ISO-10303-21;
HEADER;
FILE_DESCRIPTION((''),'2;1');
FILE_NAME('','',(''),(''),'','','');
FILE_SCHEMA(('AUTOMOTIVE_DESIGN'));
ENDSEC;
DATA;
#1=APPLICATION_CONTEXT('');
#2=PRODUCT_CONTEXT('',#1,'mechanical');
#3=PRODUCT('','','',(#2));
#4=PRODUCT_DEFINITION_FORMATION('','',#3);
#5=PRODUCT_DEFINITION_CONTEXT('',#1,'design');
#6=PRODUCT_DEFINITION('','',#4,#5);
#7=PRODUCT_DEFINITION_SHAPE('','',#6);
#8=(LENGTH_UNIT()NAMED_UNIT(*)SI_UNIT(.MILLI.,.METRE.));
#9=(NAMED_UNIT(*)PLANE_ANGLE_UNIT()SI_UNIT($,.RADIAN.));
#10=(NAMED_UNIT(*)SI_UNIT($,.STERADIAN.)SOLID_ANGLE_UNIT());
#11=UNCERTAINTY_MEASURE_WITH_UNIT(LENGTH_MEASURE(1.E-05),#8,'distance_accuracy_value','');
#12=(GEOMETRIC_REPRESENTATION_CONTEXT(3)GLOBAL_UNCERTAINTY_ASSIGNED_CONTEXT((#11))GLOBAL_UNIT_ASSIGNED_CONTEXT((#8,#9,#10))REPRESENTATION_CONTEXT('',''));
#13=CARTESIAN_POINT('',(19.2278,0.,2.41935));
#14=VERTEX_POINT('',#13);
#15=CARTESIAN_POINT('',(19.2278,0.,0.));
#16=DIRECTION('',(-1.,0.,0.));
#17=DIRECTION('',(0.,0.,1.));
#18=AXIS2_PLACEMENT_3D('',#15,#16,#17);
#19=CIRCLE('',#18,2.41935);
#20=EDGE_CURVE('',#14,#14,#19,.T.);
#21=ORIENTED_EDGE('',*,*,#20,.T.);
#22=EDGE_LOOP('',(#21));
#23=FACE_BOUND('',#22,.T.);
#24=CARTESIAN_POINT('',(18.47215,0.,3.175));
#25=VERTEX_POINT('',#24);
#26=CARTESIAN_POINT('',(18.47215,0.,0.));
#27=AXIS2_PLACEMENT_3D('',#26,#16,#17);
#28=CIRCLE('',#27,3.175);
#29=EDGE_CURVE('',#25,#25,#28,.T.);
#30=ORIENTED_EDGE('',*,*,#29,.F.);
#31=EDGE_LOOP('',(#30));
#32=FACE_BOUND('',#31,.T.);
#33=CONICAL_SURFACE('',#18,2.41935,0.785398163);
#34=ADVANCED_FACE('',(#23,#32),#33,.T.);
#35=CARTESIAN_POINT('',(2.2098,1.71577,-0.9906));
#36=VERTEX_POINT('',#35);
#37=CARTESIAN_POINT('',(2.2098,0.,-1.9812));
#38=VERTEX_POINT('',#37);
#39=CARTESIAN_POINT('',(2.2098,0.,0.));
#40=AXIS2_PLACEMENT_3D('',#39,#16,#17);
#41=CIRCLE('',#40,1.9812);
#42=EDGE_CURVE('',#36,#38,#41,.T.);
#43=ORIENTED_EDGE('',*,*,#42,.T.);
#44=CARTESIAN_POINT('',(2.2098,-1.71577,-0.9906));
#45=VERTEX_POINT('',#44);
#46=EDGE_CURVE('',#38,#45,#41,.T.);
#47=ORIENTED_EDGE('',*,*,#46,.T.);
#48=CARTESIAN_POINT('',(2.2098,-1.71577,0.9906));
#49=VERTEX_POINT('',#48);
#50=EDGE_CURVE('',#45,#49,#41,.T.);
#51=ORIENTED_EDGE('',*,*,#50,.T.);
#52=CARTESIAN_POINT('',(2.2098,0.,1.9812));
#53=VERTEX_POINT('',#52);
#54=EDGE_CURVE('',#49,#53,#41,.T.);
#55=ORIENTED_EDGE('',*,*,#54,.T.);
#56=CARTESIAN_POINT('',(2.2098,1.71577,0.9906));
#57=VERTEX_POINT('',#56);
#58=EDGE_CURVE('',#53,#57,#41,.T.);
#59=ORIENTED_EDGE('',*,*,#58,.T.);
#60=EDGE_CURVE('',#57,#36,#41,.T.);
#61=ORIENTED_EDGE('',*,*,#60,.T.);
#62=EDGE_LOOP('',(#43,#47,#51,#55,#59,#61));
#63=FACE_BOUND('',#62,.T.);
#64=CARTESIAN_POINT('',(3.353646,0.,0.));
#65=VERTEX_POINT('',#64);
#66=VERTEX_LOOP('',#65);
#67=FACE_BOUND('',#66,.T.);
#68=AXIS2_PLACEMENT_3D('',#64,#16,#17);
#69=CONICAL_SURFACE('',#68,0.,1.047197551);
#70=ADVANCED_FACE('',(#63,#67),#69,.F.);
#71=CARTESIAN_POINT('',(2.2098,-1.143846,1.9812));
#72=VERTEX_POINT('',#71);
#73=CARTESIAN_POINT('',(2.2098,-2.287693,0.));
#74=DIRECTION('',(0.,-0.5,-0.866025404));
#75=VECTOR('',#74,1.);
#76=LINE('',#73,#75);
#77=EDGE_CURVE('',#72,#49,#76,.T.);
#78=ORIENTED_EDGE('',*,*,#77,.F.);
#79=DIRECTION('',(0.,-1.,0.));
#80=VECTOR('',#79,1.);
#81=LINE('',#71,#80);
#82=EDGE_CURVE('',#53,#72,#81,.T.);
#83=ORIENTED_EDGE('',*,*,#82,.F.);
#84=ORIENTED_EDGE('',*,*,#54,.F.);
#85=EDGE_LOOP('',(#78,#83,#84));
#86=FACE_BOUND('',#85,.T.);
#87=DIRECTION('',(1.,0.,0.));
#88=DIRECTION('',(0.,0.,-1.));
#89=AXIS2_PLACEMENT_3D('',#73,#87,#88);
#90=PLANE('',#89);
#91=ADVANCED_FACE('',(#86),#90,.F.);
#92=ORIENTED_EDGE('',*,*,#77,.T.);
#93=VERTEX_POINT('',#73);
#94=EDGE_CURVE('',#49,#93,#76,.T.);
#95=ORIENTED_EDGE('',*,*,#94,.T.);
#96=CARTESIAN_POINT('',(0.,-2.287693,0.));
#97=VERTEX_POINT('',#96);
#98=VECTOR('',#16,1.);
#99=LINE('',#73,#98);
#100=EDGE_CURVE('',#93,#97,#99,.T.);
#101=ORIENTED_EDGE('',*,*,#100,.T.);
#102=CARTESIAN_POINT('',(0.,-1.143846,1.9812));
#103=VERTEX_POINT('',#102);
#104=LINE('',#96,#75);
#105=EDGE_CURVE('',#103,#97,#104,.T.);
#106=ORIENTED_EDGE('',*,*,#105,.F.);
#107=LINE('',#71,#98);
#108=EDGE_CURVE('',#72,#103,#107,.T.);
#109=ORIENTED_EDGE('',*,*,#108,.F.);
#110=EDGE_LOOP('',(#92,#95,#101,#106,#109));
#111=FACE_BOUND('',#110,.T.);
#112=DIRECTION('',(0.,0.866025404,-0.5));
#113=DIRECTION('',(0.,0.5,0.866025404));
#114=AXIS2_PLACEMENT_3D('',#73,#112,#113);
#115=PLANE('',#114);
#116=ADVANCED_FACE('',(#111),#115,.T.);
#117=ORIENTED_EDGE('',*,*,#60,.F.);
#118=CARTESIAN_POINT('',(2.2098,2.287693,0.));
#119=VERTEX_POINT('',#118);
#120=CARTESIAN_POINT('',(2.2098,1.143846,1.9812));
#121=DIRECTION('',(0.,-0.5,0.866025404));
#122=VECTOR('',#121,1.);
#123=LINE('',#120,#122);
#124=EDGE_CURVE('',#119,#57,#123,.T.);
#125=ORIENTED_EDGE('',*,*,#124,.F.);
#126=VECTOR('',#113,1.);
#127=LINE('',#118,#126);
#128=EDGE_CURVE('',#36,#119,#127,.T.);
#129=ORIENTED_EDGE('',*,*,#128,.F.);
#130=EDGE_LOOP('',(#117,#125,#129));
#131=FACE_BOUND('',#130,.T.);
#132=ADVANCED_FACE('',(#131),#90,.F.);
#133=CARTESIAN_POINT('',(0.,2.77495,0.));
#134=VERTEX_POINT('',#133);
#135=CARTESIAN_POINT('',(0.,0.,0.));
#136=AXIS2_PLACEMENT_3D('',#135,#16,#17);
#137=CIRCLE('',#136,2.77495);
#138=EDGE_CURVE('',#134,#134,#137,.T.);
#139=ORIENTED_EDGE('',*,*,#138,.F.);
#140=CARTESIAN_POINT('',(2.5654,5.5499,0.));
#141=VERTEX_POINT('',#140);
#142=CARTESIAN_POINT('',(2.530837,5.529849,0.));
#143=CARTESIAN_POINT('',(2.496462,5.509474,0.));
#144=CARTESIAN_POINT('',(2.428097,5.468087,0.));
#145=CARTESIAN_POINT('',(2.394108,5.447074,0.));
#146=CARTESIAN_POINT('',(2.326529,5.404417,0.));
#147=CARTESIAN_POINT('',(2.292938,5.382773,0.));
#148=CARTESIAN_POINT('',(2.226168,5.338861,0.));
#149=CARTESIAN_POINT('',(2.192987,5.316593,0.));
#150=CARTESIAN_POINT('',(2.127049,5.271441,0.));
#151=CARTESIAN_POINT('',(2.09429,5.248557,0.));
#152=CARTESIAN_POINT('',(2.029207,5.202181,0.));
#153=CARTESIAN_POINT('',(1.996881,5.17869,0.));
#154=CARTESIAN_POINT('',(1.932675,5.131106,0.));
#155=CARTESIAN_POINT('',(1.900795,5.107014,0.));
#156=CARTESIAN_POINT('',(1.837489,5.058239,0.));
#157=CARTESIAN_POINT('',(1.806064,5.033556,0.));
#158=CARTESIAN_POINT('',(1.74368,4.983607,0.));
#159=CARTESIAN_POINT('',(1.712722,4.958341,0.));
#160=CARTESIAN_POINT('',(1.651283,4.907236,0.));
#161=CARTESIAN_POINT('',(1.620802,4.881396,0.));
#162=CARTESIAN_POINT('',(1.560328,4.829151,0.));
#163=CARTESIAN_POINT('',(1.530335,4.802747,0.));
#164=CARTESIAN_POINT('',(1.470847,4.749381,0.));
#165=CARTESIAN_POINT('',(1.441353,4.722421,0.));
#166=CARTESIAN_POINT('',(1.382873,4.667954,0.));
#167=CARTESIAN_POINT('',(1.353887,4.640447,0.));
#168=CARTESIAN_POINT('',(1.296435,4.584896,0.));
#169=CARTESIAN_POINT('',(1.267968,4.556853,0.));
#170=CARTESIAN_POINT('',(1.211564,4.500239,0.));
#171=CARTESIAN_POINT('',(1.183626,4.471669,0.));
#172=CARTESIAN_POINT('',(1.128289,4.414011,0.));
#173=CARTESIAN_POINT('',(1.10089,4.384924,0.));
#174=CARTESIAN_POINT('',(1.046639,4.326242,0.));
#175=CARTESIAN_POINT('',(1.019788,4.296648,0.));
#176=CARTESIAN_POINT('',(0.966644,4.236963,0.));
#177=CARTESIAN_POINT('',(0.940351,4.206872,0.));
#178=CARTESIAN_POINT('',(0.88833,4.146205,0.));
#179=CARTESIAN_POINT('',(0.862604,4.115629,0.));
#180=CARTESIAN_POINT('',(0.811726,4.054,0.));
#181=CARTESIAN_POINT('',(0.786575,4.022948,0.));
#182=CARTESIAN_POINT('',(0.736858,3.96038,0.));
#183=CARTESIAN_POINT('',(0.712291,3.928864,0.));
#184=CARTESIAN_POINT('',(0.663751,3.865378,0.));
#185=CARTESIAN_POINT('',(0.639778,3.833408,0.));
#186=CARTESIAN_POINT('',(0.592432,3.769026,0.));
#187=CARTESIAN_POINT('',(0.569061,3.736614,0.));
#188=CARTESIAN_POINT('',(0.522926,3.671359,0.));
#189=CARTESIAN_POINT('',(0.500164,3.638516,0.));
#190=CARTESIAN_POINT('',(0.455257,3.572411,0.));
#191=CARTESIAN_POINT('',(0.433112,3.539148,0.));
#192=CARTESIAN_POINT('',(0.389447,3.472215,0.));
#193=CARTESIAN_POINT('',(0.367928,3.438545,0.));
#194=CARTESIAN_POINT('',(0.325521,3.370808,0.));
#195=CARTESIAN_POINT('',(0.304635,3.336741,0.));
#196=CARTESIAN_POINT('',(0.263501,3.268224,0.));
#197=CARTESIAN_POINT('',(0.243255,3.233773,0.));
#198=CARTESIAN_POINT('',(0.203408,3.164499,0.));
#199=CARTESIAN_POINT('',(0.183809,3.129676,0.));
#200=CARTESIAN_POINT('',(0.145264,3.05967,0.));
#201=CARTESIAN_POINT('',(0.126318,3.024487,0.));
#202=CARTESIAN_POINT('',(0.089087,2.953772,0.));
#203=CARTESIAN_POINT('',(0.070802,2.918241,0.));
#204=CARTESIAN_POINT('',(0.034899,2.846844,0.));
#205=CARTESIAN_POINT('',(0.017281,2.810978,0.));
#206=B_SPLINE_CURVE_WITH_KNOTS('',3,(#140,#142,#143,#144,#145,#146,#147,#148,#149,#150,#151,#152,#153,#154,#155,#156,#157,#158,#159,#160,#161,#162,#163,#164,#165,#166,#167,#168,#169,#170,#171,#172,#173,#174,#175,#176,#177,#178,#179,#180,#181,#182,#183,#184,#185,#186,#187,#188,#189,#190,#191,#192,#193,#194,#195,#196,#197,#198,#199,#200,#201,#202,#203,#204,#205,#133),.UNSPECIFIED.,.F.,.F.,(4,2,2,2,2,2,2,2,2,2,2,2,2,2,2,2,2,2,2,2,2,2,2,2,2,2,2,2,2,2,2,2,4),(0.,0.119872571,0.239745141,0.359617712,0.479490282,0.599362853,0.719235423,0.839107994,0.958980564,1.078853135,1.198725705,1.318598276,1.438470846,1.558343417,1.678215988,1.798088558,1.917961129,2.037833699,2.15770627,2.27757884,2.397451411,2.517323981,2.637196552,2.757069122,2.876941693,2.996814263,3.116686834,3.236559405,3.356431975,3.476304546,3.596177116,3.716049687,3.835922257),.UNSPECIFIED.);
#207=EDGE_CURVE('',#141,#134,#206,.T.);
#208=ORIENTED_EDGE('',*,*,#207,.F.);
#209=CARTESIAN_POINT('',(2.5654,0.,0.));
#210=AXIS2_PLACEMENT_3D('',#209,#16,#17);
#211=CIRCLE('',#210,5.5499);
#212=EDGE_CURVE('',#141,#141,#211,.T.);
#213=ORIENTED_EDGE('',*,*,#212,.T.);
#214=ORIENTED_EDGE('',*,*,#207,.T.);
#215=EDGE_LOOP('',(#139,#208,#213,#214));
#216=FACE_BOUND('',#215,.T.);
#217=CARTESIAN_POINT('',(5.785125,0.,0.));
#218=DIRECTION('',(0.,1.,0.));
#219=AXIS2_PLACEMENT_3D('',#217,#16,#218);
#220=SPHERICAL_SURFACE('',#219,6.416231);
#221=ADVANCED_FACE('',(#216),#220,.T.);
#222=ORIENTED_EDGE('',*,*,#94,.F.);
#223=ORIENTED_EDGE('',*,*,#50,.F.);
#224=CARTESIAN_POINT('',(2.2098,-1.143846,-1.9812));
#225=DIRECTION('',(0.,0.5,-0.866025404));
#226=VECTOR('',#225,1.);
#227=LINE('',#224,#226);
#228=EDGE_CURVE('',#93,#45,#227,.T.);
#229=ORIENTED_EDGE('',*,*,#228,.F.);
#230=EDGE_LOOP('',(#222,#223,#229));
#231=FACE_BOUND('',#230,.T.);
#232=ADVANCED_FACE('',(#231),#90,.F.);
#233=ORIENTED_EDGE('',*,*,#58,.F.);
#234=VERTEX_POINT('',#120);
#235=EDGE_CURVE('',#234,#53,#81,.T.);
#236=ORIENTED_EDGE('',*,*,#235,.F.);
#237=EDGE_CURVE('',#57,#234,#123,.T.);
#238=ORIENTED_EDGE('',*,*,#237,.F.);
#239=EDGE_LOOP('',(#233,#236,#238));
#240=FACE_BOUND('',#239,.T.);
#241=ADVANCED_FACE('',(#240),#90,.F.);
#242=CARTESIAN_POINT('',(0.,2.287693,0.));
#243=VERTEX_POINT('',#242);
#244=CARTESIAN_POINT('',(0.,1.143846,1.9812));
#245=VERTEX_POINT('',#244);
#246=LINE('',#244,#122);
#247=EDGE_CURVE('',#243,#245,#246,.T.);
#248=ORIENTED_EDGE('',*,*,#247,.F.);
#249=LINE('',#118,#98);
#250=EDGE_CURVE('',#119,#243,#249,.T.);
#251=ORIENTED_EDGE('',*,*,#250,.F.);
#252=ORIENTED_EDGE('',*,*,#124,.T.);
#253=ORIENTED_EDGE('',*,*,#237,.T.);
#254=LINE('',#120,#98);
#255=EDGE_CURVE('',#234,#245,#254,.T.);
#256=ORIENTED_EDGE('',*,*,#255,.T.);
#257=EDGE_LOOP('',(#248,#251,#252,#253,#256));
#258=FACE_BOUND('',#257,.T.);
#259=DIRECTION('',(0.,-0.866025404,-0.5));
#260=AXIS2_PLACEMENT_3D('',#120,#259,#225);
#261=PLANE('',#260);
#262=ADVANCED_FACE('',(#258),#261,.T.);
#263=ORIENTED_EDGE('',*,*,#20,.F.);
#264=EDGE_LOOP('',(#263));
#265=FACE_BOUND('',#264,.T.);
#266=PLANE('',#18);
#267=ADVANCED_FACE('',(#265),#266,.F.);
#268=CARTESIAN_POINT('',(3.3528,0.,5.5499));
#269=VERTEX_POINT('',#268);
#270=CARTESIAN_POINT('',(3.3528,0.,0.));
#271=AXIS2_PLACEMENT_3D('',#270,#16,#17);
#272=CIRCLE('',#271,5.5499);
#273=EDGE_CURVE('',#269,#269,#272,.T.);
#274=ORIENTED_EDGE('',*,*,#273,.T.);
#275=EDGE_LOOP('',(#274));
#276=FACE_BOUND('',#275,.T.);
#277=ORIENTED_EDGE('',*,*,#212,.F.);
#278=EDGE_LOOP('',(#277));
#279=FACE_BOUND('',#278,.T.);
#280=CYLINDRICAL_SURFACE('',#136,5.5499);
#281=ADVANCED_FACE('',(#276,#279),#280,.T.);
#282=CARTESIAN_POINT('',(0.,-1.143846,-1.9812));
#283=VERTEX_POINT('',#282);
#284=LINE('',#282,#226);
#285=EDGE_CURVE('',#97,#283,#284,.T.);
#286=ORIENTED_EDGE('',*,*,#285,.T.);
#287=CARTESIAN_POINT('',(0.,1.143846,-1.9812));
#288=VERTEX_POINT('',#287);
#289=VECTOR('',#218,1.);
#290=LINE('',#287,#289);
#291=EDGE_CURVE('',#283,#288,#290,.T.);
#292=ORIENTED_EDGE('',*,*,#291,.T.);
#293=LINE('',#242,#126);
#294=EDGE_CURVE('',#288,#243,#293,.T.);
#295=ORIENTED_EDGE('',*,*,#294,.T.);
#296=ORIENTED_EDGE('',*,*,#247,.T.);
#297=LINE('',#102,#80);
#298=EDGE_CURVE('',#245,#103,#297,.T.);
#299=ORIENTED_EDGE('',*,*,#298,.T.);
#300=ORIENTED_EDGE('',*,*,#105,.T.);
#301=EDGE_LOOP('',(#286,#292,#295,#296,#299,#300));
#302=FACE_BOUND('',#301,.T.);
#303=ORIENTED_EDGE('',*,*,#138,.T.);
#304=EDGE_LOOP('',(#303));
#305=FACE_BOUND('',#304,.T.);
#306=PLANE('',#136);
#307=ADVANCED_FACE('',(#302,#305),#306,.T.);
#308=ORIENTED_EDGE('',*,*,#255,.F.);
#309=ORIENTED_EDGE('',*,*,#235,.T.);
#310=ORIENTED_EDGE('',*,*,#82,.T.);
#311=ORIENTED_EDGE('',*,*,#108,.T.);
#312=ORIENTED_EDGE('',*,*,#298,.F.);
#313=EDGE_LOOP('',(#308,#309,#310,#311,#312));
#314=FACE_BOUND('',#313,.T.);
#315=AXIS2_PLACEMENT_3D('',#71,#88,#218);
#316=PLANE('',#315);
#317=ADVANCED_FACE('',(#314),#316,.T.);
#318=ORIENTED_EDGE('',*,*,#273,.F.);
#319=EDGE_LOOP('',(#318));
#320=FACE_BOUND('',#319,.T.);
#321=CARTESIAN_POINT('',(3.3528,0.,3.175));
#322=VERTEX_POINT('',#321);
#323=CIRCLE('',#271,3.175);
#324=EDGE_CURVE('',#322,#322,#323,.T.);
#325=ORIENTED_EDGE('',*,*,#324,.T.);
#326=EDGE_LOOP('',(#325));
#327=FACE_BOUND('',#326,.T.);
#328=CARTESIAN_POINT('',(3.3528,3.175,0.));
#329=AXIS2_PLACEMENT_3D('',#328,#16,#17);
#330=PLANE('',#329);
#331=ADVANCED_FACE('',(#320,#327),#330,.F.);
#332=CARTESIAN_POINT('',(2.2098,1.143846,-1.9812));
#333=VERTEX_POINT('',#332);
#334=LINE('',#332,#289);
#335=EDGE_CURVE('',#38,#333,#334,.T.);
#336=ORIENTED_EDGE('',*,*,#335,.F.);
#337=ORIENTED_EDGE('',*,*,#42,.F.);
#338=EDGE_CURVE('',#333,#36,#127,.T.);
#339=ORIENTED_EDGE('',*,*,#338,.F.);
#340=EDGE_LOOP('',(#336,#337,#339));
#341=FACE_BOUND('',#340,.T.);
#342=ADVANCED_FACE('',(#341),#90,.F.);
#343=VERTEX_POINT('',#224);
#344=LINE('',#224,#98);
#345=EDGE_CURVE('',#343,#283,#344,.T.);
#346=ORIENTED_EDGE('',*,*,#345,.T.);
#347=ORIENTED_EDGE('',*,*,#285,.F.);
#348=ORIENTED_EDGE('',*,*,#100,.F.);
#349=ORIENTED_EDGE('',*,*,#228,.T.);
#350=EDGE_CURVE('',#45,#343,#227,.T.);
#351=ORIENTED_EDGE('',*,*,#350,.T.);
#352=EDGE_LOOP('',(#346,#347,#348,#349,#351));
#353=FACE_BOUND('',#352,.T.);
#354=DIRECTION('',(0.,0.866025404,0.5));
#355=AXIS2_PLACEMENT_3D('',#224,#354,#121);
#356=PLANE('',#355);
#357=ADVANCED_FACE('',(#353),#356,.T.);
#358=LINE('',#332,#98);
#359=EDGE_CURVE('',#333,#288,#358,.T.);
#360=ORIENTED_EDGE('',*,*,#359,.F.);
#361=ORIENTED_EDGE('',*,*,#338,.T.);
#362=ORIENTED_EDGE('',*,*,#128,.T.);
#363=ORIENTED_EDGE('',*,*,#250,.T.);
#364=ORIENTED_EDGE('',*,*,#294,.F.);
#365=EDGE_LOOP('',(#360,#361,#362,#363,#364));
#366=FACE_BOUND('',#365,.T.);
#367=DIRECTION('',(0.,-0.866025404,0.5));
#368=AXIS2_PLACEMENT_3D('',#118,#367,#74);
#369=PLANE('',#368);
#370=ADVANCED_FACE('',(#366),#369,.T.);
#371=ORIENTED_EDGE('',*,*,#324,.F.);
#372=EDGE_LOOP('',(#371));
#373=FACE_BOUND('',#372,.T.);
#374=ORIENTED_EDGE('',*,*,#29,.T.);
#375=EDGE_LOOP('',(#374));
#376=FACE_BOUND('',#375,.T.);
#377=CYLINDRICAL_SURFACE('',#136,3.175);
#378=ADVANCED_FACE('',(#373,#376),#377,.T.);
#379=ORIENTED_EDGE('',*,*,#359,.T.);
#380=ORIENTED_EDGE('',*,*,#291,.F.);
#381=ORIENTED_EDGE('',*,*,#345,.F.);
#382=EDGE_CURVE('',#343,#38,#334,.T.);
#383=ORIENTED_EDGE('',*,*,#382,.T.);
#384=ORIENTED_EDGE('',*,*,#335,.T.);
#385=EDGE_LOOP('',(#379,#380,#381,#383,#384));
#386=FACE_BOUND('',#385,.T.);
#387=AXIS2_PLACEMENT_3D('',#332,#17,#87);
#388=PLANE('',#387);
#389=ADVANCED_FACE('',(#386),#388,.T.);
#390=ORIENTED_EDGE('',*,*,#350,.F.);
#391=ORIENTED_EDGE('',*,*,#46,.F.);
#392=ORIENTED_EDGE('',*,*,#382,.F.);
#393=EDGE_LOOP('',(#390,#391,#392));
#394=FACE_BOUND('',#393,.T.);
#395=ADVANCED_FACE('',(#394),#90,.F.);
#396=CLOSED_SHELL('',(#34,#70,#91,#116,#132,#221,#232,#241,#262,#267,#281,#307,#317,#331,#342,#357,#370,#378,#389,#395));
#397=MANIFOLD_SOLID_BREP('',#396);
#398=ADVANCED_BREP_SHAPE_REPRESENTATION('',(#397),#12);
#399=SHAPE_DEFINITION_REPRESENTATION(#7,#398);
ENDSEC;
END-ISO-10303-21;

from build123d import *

# Parameters (mm, degrees)
HEX_2_DEPTH = 2.2098


with BuildPart() as part:
    # BodySke → BaseBody (revolve)
    with BuildSketch(Plane.XY, mode=Mode.PRIVATE) as basebody_sk:
        with BuildLine():
            Line((19.2278, 0), (19.2278, 2.41935))
            Line((19.2278, 2.41935), (18.47215, 3.175))
            Line((18.47215, 3.175), (3.3528, 3.175))
            Line((3.3528, 3.175), (3.3528, 5.5499))
            Line((3.3528, 5.5499), (2.5654, 5.5499))
            ThreePointArc((2.5654, 5.5499), (1.073764503, 4.355582759), (0, 2.77495))
            Line((0, 2.77495), (0, 0))
            Line((0, 0), (19.2278, 0))
        make_face()
    revolve(basebody_sk.sketch.rotate(Axis((0, 0, 0), (1, 0, 0)), 90), axis=Axis((0, 0, 0), (1, 0, 0)))

    # Sketch2 → PreBroach (revolve, cut)
    with BuildSketch(Plane.XY, mode=Mode.PRIVATE) as prebroach_sk:
        Polygon((0, 1.9812), (2.2098, 1.9812), (3.353646353, 0), (0, 0), align=None)
    revolve(prebroach_sk.sketch.rotate(Axis((0, 0, 0), (1, 0, 0)), 90), axis=Axis((0, 0, 0), (1, 0, 0)), mode=Mode.SUBTRACT)

    # Sketch3 → Hex 2 (cut)
    with BuildSketch(Plane(origin=(0, 0, 0), x_dir=(0, 0, -1), z_dir=(1, 0, 0))):
        Polygon((-1.9812, -1.143846353), (-1.9812, 1.143846353), (0, 2.287692707), (1.9812, 1.143846353), (1.9812, -1.143846353), (0, -2.287692707), align=None)
    extrude(amount=HEX_2_DEPTH, mode=Mode.SUBTRACT)


solid = part.part
